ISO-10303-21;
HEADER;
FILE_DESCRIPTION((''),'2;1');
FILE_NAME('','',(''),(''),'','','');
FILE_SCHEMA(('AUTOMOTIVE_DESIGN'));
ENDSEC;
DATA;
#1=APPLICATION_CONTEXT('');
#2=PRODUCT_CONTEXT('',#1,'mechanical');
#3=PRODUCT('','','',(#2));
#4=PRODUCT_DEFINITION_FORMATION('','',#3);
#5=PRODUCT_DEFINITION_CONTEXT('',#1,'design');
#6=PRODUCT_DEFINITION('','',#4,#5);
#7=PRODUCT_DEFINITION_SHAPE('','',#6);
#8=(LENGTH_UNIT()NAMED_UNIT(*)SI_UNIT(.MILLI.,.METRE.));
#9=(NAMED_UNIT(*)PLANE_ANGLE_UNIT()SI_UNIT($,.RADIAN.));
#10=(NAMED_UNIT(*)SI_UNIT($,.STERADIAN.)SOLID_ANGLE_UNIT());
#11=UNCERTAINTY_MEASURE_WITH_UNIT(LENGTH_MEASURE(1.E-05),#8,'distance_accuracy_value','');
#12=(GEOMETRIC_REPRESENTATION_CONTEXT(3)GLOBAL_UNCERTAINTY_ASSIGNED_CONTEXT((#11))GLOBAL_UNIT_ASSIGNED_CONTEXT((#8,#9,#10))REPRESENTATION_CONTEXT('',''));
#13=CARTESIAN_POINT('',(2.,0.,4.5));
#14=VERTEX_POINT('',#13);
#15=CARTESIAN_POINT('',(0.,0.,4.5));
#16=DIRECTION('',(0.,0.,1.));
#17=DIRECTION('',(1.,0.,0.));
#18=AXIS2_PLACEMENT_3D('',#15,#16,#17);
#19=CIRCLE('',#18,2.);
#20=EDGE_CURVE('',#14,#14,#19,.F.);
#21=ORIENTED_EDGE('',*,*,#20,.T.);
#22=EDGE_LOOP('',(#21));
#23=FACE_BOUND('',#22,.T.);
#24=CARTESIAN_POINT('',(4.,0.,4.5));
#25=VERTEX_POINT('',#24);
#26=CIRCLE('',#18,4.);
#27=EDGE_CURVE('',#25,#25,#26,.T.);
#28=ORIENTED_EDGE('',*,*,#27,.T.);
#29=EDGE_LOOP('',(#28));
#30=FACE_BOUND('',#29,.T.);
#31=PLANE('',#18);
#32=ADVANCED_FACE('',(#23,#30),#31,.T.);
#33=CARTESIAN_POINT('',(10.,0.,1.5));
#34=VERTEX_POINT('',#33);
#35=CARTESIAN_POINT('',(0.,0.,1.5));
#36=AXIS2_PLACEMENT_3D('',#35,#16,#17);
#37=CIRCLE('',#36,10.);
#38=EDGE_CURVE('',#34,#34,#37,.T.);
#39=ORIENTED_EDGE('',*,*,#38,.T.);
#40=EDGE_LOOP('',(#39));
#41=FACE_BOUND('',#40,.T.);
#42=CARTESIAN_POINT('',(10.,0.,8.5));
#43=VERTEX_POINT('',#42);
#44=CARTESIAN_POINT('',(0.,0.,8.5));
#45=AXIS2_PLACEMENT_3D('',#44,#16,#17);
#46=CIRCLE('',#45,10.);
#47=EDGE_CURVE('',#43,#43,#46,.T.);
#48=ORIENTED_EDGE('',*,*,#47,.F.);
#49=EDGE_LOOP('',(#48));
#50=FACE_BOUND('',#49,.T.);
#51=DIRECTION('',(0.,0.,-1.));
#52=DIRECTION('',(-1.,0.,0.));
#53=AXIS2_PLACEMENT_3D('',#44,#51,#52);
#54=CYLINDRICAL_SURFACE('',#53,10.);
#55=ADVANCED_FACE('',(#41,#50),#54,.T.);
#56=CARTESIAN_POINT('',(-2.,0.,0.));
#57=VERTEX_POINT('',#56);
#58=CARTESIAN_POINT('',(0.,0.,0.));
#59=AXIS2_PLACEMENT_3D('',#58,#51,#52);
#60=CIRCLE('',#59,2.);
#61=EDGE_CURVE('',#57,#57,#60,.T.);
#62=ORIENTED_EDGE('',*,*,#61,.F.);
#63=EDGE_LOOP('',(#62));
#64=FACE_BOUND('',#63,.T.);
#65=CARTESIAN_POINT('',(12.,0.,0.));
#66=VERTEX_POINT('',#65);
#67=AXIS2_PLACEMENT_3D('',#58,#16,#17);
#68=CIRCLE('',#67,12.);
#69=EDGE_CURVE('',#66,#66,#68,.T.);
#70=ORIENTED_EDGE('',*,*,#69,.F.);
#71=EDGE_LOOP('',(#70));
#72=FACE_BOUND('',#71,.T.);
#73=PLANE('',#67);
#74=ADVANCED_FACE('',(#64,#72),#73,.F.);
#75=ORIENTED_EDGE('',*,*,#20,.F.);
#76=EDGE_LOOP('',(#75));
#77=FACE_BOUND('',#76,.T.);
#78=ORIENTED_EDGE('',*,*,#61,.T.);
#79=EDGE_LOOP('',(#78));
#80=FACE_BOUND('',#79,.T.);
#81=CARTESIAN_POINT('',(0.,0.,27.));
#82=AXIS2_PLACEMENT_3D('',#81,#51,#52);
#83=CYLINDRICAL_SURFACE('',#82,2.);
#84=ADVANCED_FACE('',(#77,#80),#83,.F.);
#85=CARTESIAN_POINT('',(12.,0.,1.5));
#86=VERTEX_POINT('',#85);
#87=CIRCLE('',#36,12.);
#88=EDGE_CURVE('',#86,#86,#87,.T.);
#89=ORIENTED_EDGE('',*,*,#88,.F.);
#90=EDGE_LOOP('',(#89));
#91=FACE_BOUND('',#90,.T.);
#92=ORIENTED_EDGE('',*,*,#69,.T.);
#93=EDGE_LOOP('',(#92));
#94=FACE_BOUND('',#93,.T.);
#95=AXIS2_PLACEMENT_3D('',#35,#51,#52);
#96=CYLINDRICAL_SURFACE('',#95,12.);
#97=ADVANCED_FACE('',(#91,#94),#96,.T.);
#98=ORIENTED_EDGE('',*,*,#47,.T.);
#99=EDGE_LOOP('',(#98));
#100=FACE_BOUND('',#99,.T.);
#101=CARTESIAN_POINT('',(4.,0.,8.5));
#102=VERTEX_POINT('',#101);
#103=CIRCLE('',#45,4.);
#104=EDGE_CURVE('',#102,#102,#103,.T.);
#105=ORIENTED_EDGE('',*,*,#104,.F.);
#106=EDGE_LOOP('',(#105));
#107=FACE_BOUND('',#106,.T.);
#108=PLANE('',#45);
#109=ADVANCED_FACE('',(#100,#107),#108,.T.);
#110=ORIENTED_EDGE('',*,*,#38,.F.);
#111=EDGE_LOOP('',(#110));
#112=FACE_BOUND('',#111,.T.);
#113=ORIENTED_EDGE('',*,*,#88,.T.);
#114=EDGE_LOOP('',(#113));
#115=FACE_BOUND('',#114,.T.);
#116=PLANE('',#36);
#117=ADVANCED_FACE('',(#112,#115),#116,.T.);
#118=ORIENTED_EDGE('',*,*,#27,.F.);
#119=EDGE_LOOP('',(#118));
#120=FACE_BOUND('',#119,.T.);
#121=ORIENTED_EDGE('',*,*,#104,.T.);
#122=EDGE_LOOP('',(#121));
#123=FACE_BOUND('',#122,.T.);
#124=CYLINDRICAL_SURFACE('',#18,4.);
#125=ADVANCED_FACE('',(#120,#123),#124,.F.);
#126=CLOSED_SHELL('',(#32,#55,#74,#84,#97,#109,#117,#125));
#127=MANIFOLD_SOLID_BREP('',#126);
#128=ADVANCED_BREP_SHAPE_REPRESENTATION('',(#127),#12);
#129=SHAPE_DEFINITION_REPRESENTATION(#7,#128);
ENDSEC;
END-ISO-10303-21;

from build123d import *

# Parameters (mm, degrees)
SKETCH_1_R          = 12
EXTRUDE_1_DEPTH     = 1.5
SKETCH_2_R          = 10
EXTRUDE_2_DEPTH     = 7
SKETCH_3_R          = 2
CUT_EXTRUDE_1_DEPTH = 27
SKETCH_4_R          = 4
CUT_EXTRUDE_2_DEPTH = 4


with BuildPart() as part:
    # 草图1 → 凸台-拉伸1 (new body)
    with BuildSketch(Plane.XY):
        Circle(SKETCH_1_R)
    extrude(amount=EXTRUDE_1_DEPTH)

    # 草图2 → 凸台-拉伸2 (add)
    with BuildSketch(Plane.XY.offset(1.5)):
        Circle(SKETCH_2_R)
    extrude(amount=EXTRUDE_2_DEPTH)

    # 草图3 → 切除-拉伸1 (cut)
    with BuildSketch(Plane(origin=(0, 0, 0), x_dir=(-1, 0, 0), z_dir=(0, 0, -1))):
        Circle(SKETCH_3_R)
    extrude(amount=-CUT_EXTRUDE_1_DEPTH, mode=Mode.SUBTRACT)

    # 草图4 → 切除-拉伸2 (cut)
    with BuildSketch(Plane.XY.offset(8.5)):
        Circle(SKETCH_4_R)
    extrude(amount=-CUT_EXTRUDE_2_DEPTH, mode=Mode.SUBTRACT)


solid = part.part
